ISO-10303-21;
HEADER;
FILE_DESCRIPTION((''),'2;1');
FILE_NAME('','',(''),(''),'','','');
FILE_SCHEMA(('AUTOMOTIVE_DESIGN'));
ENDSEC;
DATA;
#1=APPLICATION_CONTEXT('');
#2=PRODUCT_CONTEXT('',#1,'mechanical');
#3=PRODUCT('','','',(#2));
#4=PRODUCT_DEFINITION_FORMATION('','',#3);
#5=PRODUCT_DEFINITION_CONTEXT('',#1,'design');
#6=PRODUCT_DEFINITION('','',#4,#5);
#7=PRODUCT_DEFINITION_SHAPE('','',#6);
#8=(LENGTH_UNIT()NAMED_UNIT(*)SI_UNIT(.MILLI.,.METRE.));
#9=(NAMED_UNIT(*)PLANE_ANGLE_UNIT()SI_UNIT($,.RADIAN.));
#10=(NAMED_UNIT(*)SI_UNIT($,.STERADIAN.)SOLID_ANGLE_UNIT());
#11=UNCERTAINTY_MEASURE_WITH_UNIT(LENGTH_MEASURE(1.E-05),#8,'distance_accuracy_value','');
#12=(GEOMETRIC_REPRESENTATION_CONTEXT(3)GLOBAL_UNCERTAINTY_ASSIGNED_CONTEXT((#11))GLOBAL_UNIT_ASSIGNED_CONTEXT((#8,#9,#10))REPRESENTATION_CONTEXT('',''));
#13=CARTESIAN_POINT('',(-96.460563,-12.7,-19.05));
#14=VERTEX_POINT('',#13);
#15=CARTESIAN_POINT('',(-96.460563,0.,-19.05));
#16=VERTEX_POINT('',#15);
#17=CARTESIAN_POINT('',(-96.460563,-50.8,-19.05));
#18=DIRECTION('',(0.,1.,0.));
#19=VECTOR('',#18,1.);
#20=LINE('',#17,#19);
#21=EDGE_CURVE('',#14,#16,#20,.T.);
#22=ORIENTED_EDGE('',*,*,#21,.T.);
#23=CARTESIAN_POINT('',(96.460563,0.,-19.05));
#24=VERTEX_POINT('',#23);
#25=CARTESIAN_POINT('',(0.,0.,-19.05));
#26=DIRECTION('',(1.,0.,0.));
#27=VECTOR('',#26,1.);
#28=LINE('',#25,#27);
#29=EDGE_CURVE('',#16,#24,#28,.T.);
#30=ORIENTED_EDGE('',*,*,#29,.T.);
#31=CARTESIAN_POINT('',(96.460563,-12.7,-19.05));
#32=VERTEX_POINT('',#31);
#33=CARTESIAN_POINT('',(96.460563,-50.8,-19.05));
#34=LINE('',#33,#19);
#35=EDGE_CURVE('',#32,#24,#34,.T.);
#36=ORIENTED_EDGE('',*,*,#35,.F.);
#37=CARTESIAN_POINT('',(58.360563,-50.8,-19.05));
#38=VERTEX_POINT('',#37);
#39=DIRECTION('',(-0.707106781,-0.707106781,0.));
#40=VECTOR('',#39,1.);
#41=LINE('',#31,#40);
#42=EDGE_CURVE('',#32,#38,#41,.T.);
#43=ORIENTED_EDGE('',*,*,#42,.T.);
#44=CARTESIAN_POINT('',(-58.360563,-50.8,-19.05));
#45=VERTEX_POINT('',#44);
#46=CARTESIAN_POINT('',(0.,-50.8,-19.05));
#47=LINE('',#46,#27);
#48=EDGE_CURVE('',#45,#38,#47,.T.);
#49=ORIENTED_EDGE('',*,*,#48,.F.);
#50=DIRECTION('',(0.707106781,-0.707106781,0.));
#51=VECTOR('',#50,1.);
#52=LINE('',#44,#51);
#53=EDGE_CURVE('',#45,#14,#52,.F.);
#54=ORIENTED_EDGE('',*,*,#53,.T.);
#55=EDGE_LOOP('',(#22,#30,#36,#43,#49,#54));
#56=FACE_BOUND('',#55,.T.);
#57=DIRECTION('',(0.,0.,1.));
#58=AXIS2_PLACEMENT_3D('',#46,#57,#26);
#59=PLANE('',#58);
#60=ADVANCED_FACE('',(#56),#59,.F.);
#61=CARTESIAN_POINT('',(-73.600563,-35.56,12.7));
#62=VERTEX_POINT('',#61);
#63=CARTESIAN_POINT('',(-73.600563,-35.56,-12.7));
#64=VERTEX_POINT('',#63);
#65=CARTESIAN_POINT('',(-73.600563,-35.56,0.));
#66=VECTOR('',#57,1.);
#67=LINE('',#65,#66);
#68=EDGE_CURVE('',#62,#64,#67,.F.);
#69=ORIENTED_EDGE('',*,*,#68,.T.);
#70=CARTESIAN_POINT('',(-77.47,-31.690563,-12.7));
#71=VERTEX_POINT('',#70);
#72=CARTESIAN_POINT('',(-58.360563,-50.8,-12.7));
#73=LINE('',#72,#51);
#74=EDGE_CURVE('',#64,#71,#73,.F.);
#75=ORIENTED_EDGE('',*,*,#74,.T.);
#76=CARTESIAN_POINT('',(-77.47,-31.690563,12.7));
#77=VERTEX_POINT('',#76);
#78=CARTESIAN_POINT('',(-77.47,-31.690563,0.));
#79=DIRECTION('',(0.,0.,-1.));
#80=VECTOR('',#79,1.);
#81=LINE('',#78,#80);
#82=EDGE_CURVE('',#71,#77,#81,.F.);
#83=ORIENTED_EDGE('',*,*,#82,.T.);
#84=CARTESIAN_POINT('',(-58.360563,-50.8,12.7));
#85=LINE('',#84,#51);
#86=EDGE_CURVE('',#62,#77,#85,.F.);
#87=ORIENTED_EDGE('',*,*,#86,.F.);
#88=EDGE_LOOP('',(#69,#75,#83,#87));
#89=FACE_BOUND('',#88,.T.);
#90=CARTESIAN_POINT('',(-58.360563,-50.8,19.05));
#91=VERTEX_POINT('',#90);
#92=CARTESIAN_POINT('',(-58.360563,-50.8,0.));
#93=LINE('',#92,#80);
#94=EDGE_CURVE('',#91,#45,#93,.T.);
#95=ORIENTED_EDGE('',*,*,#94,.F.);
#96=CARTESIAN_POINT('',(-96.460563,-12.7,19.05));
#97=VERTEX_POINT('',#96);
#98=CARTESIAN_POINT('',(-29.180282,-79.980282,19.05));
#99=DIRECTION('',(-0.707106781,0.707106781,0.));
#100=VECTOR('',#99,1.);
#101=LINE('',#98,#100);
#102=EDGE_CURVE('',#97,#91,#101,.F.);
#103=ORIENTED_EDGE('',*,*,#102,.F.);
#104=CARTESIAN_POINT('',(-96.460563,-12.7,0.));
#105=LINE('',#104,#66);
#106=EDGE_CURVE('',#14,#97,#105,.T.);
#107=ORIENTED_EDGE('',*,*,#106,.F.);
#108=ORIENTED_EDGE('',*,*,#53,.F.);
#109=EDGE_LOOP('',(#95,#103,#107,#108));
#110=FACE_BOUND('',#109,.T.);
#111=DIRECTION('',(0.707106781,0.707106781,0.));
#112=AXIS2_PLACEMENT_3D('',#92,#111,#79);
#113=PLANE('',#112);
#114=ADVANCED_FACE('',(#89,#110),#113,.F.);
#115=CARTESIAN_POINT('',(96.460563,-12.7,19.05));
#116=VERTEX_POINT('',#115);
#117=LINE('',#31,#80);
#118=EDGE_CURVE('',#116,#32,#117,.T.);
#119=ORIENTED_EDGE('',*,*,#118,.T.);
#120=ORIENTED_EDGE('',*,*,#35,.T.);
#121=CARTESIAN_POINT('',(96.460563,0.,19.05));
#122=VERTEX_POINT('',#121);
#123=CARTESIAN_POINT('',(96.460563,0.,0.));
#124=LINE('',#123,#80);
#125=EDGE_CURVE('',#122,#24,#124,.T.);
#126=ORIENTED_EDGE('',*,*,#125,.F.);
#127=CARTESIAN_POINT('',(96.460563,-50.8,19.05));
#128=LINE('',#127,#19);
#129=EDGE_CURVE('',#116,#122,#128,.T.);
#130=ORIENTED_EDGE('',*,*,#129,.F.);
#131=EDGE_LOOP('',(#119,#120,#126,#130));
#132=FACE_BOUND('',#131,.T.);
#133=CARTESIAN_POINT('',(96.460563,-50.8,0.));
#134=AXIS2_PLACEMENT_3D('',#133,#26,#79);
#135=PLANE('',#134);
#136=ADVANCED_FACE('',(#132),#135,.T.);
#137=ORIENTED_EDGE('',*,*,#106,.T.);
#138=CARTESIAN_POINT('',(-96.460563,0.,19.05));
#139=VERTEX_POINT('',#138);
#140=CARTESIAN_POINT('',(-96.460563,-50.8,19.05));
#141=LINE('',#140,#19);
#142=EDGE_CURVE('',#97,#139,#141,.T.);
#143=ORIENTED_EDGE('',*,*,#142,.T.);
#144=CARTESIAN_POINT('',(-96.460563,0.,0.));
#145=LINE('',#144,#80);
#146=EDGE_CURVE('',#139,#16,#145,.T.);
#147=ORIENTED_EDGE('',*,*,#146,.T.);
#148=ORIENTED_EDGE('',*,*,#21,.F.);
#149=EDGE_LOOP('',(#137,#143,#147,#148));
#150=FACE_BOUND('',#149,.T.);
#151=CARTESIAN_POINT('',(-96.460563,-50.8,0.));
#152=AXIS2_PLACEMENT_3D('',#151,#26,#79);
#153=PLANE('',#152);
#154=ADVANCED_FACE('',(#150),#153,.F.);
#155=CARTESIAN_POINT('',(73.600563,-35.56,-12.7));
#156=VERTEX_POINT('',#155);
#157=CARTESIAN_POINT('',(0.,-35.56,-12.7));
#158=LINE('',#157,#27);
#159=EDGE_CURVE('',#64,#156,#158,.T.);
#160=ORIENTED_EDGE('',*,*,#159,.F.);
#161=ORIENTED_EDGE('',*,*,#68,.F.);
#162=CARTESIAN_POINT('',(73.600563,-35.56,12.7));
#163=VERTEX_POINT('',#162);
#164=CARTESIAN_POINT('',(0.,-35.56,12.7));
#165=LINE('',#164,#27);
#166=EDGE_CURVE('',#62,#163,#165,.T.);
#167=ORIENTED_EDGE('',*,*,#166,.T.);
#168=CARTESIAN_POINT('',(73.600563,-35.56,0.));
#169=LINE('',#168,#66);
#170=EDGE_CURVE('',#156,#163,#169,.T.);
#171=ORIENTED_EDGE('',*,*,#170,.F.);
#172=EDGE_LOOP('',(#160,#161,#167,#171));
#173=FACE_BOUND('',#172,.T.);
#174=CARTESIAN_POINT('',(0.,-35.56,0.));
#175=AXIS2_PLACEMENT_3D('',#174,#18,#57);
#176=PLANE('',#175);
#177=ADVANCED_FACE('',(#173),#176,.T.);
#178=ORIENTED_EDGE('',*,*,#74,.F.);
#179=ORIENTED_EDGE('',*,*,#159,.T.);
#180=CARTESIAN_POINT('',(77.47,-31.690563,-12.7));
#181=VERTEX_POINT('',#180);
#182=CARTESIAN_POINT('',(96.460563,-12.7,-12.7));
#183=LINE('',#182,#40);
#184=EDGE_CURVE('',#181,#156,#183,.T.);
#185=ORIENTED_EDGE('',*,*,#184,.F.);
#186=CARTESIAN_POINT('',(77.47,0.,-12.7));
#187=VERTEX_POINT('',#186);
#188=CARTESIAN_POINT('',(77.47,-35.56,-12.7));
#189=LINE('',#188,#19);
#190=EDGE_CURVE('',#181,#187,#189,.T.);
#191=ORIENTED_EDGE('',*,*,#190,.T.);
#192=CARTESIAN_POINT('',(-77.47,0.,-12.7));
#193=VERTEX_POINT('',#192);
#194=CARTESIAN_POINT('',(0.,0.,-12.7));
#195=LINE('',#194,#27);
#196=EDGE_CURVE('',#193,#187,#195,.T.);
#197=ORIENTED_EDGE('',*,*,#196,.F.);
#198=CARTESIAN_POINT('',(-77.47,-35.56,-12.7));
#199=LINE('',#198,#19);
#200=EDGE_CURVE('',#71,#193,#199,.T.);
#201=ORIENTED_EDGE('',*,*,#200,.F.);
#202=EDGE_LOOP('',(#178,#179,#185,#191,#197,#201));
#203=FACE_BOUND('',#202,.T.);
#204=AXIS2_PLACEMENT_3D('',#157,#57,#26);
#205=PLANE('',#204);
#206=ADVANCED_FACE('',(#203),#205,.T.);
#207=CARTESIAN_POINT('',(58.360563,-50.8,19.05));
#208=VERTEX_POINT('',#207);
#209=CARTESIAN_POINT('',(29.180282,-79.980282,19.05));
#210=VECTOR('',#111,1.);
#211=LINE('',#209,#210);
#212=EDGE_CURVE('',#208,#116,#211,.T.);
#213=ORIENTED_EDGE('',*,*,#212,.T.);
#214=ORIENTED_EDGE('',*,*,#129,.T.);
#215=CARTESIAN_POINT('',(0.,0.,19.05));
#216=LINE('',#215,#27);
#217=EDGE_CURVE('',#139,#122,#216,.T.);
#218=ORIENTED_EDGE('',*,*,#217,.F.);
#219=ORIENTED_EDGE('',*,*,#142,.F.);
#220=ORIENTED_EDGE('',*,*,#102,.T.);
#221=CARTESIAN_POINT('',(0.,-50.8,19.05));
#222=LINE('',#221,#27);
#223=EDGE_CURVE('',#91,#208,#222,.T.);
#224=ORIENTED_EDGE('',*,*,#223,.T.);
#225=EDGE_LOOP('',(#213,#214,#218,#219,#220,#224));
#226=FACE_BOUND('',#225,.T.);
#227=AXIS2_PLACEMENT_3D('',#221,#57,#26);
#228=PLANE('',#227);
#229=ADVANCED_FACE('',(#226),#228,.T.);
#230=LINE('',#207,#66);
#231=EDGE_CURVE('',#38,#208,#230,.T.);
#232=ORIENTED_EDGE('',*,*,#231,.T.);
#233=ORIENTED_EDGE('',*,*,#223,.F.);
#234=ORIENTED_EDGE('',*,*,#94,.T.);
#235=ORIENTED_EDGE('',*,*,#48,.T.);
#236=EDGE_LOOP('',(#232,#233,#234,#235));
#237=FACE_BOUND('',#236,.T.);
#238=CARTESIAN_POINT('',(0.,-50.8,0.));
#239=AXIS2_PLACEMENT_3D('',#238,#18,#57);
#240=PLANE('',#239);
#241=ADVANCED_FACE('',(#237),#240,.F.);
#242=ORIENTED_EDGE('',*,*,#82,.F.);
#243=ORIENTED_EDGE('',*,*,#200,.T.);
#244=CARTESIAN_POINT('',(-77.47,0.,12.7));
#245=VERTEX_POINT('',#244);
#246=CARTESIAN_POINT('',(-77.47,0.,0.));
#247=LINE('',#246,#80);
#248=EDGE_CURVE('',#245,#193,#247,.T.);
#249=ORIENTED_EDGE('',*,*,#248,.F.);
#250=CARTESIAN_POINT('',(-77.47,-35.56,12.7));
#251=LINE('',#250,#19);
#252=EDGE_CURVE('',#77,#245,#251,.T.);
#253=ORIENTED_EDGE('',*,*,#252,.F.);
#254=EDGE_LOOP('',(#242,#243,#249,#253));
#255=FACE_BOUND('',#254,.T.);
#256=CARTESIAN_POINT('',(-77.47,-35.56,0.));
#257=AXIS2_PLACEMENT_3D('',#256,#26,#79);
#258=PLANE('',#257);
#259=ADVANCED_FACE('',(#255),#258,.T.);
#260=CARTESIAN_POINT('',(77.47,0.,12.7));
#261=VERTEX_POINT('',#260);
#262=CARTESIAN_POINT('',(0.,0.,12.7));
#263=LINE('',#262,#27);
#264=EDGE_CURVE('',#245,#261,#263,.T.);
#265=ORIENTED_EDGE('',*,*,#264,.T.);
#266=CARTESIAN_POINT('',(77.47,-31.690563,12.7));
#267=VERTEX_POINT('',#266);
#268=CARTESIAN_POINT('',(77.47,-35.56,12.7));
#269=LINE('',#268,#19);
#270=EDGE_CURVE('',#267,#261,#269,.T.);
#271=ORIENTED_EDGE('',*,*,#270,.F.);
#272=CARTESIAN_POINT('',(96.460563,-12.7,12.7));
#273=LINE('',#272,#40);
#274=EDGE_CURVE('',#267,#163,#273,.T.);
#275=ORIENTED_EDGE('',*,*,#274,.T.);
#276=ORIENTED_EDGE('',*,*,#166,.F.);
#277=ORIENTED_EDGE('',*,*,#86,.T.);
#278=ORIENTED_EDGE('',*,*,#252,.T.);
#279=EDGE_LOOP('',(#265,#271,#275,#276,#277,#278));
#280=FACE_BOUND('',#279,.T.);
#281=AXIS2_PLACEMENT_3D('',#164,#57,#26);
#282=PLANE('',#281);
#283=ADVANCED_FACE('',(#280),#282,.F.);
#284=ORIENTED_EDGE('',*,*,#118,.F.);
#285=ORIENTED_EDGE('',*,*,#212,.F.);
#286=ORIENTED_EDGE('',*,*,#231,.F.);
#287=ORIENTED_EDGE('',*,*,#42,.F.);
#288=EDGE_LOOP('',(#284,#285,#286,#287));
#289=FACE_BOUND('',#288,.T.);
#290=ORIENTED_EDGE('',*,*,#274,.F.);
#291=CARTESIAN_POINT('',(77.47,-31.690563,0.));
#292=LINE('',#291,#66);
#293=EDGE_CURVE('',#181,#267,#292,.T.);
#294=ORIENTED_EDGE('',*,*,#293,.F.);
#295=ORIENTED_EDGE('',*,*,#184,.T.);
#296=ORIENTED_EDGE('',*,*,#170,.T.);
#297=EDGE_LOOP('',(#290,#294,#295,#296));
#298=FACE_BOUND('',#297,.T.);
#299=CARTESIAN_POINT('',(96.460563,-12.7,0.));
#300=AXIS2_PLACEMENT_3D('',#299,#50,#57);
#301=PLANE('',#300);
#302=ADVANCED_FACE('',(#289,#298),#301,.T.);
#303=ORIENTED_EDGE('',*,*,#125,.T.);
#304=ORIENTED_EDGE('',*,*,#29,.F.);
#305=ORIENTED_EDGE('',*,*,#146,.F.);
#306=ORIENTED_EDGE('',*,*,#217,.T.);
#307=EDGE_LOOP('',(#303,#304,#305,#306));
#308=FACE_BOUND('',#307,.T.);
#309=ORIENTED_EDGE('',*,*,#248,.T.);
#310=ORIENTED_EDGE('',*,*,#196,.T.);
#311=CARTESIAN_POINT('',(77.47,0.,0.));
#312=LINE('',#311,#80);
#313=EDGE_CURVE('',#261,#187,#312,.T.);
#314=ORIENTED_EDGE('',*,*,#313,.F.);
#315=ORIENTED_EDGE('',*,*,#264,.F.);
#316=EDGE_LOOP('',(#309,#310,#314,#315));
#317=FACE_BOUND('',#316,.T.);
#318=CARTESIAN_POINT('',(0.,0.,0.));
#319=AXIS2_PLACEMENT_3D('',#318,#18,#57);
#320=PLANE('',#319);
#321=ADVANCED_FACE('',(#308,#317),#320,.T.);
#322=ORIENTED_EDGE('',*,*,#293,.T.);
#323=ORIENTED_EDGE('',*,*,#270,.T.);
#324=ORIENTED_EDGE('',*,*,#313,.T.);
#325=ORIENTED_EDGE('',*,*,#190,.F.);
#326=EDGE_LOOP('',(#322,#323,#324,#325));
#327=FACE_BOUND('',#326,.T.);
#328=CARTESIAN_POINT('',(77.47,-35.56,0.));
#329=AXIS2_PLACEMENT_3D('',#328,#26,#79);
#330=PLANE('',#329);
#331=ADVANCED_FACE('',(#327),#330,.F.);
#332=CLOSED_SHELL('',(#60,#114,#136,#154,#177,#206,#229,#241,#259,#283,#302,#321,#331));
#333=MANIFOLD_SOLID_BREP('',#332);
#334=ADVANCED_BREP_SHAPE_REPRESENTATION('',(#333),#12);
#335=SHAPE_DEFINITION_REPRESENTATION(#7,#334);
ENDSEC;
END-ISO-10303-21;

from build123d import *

# Parameters (mm, degrees)
SKETCH1_W           = 192.921126566
SKETCH1_H           = 38.1
BOSS_EXTRUDE4_DEPTH = 50.8
CHAMFER2_SIZE       = 38.1
SKETCH1_5_W         = 154.94
SKETCH1_5_H         = 25.4
CUT_EXTRUDE1_DEPTH  = 35.56


with BuildPart() as part:
    # Sketch1 → Boss-Extrude4 (new body)
    with BuildSketch(Plane(origin=(0, 0, 0), x_dir=(1, 0, 0), z_dir=(0, 1, 0))):
        Rectangle(SKETCH1_W, SKETCH1_H)
    extrude(amount=-BOSS_EXTRUDE4_DEPTH)

    # Chamfer2
    chamfer2_edges = [part.edges().sort_by_distance(p)[0] for p in [
        (96.460563283, -50.8, 0),
        (-96.460563283, -50.8, 0),
    ]]
    chamfer(chamfer2_edges, length=CHAMFER2_SIZE)

    # Sketch1<5> → Cut-Extrude1 (cut)
    with BuildSketch(Plane(origin=(0, 0, 0), x_dir=(1, 0, 0), z_dir=(0, 1, 0))):
        Rectangle(SKETCH1_5_W, SKETCH1_5_H)
    extrude(amount=-CUT_EXTRUDE1_DEPTH, mode=Mode.SUBTRACT)


solid = part.part
